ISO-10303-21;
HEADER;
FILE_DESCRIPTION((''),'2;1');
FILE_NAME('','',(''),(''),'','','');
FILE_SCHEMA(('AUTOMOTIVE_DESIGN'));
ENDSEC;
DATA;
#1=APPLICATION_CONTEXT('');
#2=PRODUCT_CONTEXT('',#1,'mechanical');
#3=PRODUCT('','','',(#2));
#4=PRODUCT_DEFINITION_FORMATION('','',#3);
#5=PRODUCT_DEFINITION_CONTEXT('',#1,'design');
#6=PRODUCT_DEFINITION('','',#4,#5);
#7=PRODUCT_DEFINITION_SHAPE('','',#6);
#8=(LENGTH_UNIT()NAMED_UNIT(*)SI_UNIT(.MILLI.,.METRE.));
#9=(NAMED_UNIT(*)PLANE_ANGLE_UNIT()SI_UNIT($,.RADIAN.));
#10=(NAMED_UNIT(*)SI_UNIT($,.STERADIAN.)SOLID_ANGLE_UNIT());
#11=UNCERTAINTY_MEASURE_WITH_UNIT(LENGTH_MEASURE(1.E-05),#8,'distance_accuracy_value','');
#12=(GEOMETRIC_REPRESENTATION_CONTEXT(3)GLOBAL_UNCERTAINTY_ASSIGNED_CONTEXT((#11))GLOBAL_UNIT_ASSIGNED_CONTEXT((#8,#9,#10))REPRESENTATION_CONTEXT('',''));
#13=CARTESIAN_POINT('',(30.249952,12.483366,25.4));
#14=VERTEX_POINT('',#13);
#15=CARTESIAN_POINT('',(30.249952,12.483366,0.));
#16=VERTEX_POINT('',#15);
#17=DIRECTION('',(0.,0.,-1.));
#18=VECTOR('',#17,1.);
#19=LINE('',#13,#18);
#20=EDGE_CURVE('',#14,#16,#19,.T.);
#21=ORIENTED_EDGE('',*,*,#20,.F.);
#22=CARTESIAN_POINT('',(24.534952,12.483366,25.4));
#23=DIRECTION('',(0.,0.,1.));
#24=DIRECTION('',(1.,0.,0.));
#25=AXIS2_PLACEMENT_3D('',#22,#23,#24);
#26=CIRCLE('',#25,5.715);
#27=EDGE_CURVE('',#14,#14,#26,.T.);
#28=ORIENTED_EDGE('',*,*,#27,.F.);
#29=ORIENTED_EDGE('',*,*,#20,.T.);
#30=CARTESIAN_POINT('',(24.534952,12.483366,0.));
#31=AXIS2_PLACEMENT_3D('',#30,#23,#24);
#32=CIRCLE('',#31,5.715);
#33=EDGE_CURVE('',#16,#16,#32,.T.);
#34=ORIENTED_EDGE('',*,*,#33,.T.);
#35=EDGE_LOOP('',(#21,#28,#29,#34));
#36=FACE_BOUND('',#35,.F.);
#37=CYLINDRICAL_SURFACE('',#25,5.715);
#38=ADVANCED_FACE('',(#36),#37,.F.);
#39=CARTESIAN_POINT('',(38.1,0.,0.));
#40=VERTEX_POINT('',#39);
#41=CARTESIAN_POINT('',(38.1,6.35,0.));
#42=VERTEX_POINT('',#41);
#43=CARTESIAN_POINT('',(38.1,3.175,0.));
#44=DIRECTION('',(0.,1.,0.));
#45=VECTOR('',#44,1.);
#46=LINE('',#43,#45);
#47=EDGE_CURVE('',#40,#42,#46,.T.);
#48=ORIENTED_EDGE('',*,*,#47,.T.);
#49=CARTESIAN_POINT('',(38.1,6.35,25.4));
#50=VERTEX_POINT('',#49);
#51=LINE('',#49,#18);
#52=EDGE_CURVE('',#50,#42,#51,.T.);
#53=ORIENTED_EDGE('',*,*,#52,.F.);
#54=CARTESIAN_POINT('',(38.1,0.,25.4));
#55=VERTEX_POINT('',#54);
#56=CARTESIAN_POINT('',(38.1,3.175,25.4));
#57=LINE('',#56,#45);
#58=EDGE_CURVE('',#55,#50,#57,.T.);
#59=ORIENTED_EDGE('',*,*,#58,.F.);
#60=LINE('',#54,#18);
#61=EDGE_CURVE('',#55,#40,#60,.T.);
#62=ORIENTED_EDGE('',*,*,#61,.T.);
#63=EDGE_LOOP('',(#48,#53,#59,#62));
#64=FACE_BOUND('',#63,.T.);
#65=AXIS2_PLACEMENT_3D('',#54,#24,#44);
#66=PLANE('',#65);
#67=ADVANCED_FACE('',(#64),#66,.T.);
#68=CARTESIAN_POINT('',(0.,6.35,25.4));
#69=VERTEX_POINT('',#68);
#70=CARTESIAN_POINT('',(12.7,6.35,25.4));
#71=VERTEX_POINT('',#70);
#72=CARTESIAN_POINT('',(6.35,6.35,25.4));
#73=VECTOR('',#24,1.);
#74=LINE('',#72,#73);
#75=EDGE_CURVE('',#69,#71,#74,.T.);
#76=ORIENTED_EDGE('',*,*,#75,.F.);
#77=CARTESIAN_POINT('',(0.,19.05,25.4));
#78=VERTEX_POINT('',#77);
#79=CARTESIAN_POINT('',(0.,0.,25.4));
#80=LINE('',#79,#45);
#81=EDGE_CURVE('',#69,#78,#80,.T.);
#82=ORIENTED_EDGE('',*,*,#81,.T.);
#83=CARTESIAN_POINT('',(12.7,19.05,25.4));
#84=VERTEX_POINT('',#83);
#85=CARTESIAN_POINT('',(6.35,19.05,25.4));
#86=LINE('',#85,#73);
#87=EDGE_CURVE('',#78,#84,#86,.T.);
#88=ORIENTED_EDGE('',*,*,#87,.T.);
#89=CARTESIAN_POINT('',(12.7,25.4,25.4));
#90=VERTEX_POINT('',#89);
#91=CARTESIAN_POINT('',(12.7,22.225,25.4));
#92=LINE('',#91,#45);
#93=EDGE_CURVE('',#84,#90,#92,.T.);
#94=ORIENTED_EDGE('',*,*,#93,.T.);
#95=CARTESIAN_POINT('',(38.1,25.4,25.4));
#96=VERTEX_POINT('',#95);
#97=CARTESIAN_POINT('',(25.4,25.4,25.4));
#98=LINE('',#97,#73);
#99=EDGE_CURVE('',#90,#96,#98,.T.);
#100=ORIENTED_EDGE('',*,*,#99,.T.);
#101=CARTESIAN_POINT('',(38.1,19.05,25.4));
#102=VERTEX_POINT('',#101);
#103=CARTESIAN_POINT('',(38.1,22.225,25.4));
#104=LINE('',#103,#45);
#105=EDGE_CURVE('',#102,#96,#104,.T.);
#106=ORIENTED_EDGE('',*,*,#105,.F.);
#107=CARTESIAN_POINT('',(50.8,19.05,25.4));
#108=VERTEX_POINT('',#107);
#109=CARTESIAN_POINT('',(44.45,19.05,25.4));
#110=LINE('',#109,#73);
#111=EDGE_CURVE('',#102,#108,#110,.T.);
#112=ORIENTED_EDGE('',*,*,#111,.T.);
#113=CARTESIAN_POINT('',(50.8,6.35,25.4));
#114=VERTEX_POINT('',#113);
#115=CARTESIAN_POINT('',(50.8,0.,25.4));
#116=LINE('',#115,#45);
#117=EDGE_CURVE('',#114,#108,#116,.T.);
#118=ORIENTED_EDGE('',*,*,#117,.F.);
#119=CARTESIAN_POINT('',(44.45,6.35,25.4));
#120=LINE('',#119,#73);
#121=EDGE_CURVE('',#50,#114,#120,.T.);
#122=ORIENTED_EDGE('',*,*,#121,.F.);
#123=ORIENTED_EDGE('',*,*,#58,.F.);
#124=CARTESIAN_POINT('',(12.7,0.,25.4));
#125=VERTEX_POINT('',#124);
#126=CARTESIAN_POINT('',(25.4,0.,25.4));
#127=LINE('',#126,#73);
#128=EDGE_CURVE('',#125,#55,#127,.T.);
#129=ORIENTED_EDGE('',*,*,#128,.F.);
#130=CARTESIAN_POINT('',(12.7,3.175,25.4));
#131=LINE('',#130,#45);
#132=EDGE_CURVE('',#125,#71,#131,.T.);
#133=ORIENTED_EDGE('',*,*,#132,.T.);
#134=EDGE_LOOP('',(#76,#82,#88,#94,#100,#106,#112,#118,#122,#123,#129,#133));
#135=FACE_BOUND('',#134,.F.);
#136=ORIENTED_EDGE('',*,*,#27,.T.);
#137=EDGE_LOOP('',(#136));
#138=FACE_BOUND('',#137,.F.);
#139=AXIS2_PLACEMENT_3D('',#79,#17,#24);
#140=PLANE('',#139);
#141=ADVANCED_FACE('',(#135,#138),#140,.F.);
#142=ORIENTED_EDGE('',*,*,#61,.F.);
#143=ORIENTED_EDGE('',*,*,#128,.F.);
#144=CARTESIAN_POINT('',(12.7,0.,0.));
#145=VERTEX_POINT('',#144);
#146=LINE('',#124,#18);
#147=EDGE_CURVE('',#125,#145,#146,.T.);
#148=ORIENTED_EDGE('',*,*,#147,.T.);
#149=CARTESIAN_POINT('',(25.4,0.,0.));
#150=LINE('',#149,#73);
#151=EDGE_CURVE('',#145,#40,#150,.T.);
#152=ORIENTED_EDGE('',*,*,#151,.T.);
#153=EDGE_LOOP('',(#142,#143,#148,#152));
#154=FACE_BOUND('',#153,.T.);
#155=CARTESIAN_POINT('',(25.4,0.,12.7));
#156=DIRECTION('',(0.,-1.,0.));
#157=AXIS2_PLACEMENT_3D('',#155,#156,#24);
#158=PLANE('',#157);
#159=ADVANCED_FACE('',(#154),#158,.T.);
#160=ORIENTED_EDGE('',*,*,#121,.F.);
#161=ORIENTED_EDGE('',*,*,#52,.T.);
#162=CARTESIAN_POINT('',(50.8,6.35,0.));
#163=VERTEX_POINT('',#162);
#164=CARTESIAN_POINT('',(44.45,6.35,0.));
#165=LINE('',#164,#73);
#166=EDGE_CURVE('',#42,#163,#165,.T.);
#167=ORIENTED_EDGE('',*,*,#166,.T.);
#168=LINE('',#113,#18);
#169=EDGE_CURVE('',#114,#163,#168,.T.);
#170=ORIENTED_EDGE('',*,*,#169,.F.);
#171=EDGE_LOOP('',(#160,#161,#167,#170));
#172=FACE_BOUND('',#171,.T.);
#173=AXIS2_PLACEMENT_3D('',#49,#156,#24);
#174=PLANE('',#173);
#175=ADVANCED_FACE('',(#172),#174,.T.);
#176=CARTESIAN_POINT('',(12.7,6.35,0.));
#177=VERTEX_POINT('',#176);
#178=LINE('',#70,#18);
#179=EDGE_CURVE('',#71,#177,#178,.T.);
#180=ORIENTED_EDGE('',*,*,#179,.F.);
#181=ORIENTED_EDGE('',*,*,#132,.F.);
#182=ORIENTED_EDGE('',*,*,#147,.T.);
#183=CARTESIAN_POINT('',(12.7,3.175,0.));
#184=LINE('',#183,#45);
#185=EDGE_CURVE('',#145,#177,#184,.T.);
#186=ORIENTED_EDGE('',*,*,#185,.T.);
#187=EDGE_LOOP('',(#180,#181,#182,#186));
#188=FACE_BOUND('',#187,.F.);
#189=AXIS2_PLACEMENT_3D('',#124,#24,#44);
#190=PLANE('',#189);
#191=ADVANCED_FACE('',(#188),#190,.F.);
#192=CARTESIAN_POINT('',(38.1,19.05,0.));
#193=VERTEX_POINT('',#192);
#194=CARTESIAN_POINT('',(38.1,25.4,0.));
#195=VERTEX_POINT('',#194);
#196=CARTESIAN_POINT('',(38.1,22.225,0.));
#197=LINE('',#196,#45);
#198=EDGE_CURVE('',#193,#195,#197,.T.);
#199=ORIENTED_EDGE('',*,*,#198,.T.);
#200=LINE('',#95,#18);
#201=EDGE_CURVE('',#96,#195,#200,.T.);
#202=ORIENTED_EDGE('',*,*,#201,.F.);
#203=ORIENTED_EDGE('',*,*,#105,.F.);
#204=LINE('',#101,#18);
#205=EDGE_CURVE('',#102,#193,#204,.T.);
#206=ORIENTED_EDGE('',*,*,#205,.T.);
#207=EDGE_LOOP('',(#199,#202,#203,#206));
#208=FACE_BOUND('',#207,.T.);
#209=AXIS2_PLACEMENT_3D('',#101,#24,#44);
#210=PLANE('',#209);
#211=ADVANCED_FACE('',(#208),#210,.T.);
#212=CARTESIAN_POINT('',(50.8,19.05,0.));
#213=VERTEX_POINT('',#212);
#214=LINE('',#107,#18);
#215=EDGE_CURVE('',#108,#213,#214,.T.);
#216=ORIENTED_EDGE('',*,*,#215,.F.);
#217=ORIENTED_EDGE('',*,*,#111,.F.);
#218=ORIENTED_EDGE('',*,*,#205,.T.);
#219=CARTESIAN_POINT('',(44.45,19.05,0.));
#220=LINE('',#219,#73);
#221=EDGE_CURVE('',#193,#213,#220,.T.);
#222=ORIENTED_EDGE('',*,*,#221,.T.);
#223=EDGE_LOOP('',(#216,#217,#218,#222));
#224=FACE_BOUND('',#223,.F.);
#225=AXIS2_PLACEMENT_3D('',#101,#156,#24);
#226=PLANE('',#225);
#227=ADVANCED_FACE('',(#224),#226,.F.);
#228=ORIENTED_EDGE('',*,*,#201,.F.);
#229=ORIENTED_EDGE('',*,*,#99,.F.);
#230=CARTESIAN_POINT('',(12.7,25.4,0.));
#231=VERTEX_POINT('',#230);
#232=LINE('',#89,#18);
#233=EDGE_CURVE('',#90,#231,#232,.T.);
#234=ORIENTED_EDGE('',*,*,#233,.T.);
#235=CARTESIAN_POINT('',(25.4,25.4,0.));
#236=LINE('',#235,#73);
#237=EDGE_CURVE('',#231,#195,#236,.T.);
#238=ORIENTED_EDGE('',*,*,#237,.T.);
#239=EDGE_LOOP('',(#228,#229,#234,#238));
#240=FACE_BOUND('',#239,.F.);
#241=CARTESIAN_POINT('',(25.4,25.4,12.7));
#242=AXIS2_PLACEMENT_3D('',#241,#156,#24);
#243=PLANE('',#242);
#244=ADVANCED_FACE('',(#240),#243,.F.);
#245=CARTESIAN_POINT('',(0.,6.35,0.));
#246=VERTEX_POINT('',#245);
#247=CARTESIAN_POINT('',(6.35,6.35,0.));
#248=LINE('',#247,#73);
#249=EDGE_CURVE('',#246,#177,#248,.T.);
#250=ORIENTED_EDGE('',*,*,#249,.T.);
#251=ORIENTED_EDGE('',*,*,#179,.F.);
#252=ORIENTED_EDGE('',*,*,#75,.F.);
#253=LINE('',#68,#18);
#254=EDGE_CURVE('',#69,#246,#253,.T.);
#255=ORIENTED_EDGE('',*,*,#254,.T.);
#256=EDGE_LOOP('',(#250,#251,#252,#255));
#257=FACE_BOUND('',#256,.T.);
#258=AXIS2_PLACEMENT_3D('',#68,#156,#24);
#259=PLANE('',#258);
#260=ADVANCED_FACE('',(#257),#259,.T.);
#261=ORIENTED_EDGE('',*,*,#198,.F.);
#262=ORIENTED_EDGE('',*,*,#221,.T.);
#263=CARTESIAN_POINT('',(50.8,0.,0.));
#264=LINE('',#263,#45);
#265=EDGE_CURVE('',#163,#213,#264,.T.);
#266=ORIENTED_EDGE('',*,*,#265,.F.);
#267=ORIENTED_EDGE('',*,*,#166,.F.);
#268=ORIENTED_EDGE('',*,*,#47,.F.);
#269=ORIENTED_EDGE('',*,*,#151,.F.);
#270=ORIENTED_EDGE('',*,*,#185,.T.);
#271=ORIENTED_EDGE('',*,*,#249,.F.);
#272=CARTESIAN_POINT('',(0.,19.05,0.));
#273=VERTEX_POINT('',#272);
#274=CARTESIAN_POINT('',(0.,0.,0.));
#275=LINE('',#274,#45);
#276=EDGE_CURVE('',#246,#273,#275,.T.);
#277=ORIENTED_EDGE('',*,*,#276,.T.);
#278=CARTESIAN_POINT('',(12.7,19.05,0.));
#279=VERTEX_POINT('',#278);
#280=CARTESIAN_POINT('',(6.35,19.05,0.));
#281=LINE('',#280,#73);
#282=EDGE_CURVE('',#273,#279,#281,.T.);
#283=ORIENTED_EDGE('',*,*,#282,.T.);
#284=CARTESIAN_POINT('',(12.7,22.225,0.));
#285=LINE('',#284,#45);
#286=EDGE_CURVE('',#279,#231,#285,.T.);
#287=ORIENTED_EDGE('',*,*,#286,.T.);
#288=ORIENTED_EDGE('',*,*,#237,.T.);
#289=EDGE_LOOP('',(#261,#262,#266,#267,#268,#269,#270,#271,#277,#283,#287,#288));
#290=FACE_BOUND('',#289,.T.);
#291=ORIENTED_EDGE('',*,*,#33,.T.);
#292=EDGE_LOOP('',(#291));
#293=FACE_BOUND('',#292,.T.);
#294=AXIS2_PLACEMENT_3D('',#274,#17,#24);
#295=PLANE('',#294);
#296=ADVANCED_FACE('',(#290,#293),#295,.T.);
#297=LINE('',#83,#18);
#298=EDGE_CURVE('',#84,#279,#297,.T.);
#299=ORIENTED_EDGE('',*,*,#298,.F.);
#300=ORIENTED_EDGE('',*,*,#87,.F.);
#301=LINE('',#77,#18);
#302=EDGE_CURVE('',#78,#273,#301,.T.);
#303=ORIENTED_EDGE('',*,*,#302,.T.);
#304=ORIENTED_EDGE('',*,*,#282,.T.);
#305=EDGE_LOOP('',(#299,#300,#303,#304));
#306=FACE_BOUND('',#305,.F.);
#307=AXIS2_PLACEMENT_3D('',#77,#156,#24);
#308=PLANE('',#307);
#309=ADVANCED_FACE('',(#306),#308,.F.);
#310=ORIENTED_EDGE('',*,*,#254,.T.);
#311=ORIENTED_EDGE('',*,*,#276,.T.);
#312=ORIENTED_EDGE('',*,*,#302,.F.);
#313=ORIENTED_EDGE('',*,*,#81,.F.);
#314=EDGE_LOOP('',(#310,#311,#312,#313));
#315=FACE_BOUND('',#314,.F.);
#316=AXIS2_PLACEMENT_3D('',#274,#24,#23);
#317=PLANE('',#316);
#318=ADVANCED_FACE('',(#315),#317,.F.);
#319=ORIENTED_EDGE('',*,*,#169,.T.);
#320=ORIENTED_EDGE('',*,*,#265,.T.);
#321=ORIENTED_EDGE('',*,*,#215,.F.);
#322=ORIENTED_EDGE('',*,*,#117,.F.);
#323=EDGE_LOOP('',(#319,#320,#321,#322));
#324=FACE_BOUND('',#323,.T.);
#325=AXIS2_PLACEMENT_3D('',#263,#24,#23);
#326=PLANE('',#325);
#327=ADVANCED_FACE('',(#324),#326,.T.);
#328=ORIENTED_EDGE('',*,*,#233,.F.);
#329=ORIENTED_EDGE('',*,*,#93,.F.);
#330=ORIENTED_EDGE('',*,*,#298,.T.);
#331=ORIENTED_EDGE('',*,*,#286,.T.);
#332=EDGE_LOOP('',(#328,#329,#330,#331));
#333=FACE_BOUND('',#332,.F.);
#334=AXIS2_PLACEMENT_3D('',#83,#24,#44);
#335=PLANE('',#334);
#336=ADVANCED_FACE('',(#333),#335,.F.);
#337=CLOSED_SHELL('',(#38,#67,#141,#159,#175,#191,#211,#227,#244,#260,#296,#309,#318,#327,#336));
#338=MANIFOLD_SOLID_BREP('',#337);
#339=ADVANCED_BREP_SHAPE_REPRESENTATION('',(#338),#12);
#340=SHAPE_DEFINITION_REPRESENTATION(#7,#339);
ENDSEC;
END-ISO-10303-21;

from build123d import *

# Parameters (mm, degrees)
F0_W     = 50.8
F0_H     = 25.4
F1_DEPTH = 25.4
F2_R     = 5.715
F2_W     = 12.7
F2_H     = 6.35
F3_DEPTH = 25.4


with BuildPart() as f1:
    # F0 (on Front) → F1 (new body)
    with BuildSketch(Plane.XZ):
        with Locations((25.4, 12.7)):
            Rectangle(F0_W, F0_H)
    extrude(amount=-F1_DEPTH)

    # F2 (on face) → F3 (cut)
    with BuildSketch(Plane.XY.offset(25.4)):
        with Locations((24.534952, 12.483366)):
            Circle(F2_R)
        with Locations((6.35, 22.225)):
            Rectangle(F2_W, F2_H)
        with Locations((44.45, 22.225)):
            Rectangle(F2_W, F2_H)
        with Locations((6.35, 3.175)):
            Rectangle(F2_W, F2_H)
        with Locations((44.45, 3.175)):
            Rectangle(F2_W, F2_H)
    extrude(amount=-F3_DEPTH, mode=Mode.SUBTRACT)


solid = f1.part
